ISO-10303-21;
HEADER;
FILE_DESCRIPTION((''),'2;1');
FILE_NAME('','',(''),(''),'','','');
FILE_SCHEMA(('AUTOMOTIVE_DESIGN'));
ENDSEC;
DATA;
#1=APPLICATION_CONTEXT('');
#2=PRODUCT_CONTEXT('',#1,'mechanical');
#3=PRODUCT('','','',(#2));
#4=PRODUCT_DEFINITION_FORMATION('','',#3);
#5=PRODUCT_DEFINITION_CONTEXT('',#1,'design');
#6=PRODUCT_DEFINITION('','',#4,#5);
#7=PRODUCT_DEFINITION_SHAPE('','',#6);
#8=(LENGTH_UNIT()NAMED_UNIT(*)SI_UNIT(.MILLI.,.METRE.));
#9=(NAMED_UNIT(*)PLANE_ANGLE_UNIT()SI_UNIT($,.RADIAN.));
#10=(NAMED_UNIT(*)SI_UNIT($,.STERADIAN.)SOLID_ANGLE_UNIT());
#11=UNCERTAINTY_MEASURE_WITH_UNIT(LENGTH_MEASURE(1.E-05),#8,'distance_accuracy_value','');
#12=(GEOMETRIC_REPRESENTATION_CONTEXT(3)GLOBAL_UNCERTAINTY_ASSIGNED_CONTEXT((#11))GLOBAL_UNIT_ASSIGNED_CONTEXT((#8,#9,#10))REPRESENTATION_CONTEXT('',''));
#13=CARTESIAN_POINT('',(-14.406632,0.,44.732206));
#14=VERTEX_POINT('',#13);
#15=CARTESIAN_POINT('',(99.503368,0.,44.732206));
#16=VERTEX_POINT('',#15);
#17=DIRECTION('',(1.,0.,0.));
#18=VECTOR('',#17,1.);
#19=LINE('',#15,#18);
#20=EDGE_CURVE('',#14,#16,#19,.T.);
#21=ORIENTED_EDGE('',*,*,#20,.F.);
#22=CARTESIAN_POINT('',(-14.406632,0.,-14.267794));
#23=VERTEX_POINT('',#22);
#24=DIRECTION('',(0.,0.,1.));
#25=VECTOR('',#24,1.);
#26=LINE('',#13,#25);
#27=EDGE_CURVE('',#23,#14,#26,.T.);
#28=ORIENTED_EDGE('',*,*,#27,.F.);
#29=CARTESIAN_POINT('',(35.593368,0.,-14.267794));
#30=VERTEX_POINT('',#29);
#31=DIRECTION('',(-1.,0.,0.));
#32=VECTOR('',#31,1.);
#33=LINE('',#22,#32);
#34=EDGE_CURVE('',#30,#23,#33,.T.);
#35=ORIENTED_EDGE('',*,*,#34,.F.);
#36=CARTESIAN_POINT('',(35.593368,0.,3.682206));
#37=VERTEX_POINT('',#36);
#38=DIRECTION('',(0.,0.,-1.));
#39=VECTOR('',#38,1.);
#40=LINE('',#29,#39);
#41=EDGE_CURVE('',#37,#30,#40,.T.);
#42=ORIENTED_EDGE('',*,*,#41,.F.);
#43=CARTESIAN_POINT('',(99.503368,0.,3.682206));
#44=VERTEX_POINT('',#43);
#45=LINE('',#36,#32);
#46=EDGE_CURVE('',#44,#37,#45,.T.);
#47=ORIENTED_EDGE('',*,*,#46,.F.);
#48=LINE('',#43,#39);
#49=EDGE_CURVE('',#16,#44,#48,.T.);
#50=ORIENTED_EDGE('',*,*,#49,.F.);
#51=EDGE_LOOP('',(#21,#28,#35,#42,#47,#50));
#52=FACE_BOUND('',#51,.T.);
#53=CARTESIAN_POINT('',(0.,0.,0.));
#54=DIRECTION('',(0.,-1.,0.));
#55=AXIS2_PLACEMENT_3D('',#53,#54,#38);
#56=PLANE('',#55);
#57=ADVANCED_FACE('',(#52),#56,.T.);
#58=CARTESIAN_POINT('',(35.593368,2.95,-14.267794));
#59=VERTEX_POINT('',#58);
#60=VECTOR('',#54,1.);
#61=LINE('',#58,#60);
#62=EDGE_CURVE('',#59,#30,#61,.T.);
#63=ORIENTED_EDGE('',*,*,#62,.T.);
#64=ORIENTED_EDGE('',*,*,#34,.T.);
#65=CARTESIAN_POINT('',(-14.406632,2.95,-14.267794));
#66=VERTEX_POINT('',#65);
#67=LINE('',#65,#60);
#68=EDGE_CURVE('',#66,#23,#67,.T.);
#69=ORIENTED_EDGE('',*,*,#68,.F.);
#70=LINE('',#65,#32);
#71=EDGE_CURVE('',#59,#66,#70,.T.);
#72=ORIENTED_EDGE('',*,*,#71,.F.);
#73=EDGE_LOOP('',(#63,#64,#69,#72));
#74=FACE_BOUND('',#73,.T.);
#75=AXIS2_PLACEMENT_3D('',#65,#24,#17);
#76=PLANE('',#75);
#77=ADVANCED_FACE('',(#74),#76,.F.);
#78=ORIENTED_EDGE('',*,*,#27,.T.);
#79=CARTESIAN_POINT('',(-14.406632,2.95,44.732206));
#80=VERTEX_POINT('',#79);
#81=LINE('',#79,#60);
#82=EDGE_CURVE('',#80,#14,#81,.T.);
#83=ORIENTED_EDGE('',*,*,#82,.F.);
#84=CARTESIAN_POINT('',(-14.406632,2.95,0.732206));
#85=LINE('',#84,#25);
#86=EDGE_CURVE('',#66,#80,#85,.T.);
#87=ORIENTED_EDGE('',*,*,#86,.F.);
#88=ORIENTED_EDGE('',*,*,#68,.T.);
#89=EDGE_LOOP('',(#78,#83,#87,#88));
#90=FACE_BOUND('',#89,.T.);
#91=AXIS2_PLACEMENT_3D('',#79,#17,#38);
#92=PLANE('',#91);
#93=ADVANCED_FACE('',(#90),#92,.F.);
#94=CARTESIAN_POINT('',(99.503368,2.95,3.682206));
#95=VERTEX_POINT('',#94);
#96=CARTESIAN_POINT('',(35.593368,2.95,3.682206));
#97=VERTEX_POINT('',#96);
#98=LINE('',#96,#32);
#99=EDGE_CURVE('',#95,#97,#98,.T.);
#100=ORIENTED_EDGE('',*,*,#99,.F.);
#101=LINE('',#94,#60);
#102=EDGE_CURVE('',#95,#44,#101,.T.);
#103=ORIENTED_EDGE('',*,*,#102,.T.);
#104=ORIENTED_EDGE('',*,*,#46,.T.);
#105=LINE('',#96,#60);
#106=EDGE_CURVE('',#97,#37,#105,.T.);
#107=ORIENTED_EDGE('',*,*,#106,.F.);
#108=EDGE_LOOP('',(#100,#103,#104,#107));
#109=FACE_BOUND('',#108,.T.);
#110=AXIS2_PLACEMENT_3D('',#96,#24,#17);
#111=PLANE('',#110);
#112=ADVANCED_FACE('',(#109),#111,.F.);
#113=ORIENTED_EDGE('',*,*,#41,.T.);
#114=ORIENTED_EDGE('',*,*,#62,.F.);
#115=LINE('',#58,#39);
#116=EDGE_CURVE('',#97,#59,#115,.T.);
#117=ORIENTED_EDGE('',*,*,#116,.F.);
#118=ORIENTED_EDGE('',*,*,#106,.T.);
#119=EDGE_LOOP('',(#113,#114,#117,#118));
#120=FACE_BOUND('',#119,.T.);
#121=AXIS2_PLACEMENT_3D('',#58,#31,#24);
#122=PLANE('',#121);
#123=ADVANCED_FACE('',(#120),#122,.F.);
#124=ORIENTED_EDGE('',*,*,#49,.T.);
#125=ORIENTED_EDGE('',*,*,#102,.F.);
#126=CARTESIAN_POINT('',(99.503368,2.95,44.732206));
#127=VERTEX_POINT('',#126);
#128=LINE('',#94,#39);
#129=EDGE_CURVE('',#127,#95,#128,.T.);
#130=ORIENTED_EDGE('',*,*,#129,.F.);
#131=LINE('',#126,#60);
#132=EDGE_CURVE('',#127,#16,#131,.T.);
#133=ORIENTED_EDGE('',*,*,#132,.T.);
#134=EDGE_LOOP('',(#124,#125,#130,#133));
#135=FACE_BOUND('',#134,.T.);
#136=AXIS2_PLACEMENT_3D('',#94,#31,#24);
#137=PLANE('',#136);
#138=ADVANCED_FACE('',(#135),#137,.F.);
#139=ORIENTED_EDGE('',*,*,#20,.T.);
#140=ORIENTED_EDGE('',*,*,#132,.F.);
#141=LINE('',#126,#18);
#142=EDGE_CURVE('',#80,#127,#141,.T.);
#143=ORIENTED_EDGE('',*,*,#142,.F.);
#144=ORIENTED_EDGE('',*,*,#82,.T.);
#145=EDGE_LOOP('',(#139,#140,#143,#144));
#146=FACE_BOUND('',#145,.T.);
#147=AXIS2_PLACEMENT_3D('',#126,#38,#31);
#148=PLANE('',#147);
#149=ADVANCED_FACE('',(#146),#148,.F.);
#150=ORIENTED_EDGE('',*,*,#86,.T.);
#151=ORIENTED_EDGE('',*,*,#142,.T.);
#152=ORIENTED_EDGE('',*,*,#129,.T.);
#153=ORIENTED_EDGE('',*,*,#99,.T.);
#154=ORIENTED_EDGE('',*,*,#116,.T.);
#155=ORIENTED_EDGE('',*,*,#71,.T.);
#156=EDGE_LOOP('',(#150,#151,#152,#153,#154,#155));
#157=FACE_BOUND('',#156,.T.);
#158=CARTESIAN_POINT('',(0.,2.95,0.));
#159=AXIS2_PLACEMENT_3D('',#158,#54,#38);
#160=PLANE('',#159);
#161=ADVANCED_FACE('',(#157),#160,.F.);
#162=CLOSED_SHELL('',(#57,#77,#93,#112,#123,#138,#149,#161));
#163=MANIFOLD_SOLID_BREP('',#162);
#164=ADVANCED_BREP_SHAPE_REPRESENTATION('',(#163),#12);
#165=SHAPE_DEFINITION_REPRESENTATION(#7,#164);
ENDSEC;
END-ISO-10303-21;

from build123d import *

# Parameters (mm, degrees)
BOSS_EXTRUDE1_DEPTH = 2.95


with BuildPart() as part:
    # Sketch1 → Boss-Extrude1 (new body)
    with BuildSketch(Plane(origin=(0, 0, 0), x_dir=(1, 0, 0), z_dir=(0, 1, 0))):
        Polygon((99.50336816, -3.682205931), (99.50336816, -44.732205931), (-14.40663184, -44.732205931), (-14.40663184, -0.732205931), (-14.40663184, 14.267794069), (35.59336816, 14.267794069), (35.59336816, -3.682205931), align=None)
    extrude(amount=BOSS_EXTRUDE1_DEPTH)


solid = part.part
